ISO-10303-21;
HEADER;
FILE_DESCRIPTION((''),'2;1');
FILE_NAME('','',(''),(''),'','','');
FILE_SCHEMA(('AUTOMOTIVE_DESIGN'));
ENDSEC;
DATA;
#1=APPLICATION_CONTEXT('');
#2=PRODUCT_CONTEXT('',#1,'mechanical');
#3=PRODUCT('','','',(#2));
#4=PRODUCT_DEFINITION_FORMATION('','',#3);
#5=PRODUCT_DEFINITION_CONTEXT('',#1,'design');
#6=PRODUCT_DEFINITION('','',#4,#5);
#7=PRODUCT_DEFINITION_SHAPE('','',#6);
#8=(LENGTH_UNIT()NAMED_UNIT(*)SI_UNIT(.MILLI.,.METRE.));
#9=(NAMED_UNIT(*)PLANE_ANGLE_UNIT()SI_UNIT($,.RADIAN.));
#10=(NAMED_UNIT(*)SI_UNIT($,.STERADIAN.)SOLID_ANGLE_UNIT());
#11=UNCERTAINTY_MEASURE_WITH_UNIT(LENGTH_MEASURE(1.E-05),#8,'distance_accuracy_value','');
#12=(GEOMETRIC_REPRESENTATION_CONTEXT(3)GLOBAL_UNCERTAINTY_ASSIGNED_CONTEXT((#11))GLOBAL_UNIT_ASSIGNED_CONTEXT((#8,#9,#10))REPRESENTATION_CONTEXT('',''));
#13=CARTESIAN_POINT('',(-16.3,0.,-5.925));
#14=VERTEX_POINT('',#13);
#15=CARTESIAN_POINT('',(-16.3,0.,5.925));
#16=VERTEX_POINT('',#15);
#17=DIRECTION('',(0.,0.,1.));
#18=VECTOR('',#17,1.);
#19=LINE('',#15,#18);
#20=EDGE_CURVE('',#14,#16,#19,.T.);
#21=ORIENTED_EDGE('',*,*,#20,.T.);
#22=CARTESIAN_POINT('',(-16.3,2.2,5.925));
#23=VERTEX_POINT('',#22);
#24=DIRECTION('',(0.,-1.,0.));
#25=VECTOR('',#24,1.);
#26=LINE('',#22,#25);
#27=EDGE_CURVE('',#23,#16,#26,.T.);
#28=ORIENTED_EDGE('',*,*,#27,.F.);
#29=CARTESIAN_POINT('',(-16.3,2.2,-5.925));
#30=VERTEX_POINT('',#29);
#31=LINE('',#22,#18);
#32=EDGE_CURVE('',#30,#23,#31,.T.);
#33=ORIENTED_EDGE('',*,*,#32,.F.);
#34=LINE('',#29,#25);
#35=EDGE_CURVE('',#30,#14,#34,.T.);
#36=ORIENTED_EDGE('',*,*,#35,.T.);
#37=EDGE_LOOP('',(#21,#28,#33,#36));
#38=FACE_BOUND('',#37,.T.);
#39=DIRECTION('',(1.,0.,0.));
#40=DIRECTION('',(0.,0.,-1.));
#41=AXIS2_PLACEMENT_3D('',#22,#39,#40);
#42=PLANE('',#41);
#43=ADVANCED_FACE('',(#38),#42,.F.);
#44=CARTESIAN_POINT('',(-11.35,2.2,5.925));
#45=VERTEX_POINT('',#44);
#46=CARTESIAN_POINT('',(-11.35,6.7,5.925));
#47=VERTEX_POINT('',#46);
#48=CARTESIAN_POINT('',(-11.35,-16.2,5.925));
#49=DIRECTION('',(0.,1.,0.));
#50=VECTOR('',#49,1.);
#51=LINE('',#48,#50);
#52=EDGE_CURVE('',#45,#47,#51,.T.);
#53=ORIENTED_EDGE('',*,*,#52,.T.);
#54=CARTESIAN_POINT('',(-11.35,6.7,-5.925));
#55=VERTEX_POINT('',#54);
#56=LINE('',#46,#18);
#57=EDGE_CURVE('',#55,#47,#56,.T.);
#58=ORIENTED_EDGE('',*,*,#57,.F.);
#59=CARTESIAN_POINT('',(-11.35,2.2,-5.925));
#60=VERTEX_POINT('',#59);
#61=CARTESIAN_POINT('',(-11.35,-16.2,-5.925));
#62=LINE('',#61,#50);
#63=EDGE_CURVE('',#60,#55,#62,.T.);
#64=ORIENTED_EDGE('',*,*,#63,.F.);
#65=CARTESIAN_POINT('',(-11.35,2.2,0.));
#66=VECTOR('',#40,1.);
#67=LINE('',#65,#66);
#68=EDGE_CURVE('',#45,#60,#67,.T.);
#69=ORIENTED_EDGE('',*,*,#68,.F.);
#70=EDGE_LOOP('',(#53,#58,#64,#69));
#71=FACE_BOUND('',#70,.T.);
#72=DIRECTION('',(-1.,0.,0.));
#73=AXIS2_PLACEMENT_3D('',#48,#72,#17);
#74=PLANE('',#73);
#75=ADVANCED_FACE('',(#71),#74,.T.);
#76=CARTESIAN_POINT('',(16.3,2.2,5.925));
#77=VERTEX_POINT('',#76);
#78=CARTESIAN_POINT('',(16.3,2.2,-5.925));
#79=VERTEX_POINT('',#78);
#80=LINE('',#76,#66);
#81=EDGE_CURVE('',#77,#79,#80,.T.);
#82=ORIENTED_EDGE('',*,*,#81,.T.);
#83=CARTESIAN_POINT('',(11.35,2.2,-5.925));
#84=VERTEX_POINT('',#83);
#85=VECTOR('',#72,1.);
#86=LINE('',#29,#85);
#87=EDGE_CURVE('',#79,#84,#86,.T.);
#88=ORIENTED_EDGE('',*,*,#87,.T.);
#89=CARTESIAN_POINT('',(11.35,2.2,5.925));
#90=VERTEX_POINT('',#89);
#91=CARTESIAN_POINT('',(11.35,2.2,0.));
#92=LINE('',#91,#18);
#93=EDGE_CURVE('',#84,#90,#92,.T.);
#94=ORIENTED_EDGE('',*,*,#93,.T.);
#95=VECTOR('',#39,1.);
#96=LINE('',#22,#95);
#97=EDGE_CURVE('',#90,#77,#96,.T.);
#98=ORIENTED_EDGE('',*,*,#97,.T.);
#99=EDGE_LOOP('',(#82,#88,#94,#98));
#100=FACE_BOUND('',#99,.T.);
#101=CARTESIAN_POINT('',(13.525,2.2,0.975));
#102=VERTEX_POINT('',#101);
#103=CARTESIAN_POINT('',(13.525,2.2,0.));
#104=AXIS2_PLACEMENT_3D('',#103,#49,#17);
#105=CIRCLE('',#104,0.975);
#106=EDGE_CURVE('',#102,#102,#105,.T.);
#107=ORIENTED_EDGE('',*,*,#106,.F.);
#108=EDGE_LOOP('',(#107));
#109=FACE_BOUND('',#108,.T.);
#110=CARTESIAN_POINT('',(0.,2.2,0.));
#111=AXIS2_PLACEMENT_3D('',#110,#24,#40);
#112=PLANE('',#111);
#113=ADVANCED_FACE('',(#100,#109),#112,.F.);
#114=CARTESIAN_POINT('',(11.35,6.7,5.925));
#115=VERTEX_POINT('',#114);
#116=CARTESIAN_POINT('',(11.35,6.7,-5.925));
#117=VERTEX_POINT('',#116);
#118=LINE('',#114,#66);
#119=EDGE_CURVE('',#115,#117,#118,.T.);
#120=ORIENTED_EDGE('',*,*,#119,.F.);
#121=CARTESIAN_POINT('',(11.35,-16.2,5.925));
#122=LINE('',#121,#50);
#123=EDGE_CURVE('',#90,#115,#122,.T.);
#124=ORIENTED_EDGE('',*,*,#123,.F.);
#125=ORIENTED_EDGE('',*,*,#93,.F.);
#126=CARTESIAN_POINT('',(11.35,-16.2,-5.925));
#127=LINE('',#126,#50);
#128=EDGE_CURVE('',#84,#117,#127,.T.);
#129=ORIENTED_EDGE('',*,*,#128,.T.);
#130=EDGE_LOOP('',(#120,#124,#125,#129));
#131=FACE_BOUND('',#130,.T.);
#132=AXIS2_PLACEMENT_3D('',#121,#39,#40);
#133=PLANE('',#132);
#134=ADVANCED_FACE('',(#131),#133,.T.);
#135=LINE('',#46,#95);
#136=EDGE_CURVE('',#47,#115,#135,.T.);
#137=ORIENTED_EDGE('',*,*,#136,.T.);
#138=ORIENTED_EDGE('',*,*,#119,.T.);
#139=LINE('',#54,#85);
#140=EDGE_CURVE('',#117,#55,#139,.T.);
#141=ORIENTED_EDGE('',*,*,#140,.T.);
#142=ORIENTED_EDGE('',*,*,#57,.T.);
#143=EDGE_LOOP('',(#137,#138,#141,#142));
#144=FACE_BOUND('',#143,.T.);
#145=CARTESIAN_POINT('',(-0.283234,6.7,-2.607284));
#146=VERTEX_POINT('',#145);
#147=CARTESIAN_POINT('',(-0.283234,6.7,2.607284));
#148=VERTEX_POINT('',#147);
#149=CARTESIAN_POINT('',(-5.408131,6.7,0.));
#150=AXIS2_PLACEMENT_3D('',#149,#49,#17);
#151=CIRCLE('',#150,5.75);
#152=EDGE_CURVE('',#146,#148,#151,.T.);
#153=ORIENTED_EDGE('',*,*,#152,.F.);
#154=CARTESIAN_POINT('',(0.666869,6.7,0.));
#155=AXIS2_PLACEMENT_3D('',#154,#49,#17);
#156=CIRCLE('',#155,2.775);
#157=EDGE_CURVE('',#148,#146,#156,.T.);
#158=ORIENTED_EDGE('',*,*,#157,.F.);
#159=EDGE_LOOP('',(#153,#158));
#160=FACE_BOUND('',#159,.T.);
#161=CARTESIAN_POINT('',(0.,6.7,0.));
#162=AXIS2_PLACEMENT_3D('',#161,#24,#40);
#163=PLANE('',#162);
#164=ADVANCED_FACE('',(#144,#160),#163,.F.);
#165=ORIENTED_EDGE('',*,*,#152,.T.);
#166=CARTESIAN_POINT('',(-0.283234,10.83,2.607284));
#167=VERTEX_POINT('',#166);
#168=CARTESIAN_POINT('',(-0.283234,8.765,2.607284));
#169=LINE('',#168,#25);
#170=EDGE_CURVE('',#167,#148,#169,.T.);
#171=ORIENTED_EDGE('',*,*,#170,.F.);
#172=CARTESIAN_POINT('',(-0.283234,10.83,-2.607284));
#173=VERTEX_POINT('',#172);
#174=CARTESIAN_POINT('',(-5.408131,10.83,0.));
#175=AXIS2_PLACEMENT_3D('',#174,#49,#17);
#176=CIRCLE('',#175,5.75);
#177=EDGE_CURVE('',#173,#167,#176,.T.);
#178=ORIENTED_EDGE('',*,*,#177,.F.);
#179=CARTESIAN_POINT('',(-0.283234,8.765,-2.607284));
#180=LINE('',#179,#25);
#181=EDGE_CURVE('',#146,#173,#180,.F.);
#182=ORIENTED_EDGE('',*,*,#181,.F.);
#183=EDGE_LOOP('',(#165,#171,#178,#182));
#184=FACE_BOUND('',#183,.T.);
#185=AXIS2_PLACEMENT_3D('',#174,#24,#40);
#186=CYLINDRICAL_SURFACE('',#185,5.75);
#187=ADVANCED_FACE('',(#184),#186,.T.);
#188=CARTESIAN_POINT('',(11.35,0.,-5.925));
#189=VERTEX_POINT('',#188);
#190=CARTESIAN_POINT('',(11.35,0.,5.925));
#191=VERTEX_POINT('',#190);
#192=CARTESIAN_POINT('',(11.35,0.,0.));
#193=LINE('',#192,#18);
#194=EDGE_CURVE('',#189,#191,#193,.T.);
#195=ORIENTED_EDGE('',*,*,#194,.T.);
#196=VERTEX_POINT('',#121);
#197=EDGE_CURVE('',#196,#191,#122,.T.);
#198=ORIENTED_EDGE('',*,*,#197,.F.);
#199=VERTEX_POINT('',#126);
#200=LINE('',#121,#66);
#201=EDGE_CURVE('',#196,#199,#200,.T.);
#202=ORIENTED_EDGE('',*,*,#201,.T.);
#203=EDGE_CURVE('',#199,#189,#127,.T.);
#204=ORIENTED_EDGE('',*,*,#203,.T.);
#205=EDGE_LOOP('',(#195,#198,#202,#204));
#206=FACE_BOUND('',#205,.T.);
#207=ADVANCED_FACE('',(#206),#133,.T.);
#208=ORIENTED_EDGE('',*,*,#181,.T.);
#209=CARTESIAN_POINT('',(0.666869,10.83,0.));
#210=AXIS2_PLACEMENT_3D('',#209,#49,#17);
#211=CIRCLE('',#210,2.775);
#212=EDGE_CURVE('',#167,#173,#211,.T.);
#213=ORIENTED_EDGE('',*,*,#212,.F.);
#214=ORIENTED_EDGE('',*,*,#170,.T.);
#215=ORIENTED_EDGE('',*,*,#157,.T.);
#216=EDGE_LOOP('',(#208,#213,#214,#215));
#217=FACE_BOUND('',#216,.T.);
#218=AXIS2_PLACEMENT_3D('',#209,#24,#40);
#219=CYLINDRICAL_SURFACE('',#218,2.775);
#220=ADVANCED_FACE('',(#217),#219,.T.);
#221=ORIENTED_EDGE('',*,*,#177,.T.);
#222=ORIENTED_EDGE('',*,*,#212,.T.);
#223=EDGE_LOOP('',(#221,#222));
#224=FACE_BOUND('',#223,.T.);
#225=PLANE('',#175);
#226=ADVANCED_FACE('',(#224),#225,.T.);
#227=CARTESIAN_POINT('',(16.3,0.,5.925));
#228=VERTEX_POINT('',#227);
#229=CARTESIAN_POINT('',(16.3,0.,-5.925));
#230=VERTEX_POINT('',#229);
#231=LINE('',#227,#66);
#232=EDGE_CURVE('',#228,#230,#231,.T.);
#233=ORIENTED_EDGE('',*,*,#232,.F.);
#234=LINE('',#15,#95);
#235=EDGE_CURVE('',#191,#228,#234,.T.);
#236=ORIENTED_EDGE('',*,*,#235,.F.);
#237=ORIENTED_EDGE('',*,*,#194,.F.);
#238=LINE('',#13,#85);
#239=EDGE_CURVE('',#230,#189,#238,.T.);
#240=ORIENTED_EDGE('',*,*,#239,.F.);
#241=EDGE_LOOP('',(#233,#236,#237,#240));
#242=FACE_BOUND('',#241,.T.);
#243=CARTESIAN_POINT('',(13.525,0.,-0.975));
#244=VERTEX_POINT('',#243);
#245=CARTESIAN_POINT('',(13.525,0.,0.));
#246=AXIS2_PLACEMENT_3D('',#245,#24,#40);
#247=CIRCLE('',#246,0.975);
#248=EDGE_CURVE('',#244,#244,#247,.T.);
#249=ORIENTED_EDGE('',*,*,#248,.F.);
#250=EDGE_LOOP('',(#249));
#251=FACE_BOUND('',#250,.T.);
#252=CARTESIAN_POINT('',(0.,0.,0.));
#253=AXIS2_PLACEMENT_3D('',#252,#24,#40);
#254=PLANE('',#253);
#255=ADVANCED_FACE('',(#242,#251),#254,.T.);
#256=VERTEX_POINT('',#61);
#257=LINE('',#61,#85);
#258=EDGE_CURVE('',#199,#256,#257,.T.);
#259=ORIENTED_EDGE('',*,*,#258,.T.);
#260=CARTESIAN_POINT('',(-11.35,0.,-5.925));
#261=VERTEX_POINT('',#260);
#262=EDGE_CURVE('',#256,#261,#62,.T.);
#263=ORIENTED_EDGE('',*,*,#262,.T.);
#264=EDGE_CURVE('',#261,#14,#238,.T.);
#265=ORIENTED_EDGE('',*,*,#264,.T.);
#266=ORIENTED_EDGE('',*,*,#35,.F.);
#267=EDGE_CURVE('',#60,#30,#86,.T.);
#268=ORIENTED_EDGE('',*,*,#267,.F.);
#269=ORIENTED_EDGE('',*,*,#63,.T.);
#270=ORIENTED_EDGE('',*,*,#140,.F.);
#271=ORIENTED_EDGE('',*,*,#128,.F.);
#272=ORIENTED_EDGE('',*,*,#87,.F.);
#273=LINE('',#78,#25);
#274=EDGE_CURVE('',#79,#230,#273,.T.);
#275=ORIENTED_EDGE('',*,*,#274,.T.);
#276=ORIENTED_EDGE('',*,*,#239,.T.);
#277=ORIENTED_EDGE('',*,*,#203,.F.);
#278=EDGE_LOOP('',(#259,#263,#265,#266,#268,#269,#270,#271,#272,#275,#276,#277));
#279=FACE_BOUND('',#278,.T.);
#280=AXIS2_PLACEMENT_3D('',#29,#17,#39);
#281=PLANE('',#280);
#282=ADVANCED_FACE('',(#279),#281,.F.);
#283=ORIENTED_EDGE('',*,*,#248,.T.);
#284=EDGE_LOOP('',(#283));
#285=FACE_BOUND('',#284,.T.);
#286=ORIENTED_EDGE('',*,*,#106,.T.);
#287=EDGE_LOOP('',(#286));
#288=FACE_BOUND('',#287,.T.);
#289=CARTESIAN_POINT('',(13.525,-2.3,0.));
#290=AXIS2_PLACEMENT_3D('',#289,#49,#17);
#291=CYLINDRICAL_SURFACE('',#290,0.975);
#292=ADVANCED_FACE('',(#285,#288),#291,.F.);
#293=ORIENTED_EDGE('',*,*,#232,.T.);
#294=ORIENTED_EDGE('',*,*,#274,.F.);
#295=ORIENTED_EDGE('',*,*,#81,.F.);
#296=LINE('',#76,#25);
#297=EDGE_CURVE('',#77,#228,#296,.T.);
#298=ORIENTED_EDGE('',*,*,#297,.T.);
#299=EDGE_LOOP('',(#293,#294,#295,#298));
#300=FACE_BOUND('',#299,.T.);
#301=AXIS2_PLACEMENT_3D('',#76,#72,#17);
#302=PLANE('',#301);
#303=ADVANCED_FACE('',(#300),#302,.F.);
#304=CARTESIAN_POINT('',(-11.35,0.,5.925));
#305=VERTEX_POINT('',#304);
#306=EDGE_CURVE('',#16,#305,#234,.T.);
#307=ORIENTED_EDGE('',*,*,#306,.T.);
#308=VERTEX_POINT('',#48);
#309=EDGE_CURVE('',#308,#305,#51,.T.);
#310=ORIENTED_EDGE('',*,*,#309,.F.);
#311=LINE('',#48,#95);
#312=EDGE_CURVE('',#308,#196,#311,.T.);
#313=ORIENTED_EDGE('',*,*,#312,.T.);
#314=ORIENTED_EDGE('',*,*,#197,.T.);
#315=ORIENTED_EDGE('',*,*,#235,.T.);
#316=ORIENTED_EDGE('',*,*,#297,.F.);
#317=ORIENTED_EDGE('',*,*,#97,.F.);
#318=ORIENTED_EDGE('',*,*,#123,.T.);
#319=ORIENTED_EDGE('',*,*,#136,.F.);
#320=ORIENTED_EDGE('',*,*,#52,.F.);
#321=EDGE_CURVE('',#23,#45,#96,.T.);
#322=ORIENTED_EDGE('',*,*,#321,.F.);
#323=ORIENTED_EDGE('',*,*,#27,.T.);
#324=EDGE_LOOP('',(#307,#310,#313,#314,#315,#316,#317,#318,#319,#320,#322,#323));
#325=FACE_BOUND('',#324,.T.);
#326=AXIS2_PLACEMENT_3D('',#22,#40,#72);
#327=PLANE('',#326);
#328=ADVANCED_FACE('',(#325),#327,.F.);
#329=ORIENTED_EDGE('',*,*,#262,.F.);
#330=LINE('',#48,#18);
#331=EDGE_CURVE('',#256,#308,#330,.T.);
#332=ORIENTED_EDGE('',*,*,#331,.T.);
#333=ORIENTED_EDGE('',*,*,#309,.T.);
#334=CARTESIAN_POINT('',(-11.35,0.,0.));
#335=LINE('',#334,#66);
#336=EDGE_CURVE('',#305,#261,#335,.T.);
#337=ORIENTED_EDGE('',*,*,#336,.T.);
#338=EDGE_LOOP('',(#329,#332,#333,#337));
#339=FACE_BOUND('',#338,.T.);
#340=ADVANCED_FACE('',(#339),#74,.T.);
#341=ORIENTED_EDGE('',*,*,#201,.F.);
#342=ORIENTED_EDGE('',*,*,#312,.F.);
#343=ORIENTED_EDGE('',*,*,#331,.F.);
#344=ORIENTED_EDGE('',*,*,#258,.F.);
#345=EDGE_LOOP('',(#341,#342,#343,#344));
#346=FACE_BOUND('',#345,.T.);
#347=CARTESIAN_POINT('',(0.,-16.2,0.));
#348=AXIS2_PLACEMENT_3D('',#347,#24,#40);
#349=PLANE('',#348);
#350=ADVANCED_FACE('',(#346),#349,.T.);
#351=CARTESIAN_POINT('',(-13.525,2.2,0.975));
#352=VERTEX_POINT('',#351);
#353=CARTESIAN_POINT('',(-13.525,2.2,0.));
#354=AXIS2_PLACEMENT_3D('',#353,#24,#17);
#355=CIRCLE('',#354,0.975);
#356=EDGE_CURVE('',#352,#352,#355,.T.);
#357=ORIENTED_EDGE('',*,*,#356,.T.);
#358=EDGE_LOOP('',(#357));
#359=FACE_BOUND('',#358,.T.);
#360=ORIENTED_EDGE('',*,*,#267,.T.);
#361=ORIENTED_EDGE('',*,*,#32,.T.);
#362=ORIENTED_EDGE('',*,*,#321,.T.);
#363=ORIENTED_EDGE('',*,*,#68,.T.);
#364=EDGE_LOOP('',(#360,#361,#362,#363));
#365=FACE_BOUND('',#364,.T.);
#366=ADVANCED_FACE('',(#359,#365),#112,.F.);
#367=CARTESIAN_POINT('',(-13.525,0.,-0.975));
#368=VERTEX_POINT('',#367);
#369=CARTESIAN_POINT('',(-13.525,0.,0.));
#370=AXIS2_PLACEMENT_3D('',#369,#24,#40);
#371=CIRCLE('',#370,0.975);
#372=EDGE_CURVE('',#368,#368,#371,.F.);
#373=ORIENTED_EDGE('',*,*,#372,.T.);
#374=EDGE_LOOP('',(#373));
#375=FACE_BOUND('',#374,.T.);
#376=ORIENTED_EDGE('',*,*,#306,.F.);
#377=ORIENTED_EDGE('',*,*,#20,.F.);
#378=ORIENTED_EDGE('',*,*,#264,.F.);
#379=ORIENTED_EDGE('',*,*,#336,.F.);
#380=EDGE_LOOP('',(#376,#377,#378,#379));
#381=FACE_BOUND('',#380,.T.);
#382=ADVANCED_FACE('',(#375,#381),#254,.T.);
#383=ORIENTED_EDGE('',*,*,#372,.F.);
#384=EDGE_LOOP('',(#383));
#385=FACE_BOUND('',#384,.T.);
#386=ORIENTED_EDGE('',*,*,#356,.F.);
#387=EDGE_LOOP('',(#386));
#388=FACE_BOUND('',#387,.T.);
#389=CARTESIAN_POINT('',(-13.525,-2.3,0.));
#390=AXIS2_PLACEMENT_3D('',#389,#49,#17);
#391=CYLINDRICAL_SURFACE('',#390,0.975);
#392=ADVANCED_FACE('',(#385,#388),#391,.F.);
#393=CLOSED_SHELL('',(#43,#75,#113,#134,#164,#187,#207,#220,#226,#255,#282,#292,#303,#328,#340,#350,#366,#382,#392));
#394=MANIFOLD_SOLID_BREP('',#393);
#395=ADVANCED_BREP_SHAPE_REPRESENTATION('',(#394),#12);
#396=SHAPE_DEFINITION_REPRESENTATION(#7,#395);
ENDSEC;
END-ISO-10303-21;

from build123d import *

# Parameters (mm, degrees)
SKETCH2_W                = 32.6
SKETCH2_H                = 11.85
BOSS_EXTRUDE2_DEPTH      = 2.2
SKETCH3_W                = 22.7
SKETCH3_H                = 11.85
BOSS_EXTRUDE3_DEPTH      = 4.5
BOSS_EXTRUDE3_DEPTH_BACK = 18.4
SKETCH4_R                = 0.975
CUT_EXTRUDE1_DEPTH       = 4.5
SKETCH5_R                = 5.75
SKETCH5_R_2              = 2.775
BOSS_EXTRUDE4_DEPTH      = 4.13


with BuildPart() as part:
    # Sketch2 → Boss-Extrude2 (new body)
    with BuildSketch(Plane(origin=(0, 0, 0), x_dir=(1, 0, 0), z_dir=(0, 1, 0))):
        Rectangle(SKETCH2_W, SKETCH2_H)
    extrude(amount=BOSS_EXTRUDE2_DEPTH)

    # Sketch3 → Boss-Extrude3 (add, two sides)
    with BuildSketch(Plane(origin=(0, 2.2, 0), x_dir=(1, 0, 0), z_dir=(0, 1, 0))) as boss_extrude3_sk:
        Rectangle(SKETCH3_W, SKETCH3_H)
    extrude(amount=BOSS_EXTRUDE3_DEPTH)
    extrude(boss_extrude3_sk.sketch, amount=-BOSS_EXTRUDE3_DEPTH_BACK)

    # Sketch4 → Cut-Extrude1 (cut)
    with BuildSketch(Plane(origin=(0, 2.2, 0), x_dir=(1, 0, 0), z_dir=(0, 1, 0))):
        with Locations((13.525, 0)):
            Circle(SKETCH4_R)
    cut_extrude1 = extrude(amount=-CUT_EXTRUDE1_DEPTH, mode=Mode.SUBTRACT)

    # Mirror1: Cut-Extrude1 across plane
    add(cut_extrude1.mirror(Plane(origin=(0, 0, 0), x_dir=(0, 0, 1), z_dir=(1, 0, 0))), mode=Mode.SUBTRACT)

    # Sketch5 → Boss-Extrude4 (add)
    with BuildSketch(Plane(origin=(0, 6.7, 0), x_dir=(1, 0, 0), z_dir=(0, 1, 0))):
        with Locations((-5.40813132, 0)):
            Circle(SKETCH5_R)
        with Locations((0.66686868, 0)):
            Circle(SKETCH5_R_2)
    extrude(amount=BOSS_EXTRUDE4_DEPTH)


solid = part.part
